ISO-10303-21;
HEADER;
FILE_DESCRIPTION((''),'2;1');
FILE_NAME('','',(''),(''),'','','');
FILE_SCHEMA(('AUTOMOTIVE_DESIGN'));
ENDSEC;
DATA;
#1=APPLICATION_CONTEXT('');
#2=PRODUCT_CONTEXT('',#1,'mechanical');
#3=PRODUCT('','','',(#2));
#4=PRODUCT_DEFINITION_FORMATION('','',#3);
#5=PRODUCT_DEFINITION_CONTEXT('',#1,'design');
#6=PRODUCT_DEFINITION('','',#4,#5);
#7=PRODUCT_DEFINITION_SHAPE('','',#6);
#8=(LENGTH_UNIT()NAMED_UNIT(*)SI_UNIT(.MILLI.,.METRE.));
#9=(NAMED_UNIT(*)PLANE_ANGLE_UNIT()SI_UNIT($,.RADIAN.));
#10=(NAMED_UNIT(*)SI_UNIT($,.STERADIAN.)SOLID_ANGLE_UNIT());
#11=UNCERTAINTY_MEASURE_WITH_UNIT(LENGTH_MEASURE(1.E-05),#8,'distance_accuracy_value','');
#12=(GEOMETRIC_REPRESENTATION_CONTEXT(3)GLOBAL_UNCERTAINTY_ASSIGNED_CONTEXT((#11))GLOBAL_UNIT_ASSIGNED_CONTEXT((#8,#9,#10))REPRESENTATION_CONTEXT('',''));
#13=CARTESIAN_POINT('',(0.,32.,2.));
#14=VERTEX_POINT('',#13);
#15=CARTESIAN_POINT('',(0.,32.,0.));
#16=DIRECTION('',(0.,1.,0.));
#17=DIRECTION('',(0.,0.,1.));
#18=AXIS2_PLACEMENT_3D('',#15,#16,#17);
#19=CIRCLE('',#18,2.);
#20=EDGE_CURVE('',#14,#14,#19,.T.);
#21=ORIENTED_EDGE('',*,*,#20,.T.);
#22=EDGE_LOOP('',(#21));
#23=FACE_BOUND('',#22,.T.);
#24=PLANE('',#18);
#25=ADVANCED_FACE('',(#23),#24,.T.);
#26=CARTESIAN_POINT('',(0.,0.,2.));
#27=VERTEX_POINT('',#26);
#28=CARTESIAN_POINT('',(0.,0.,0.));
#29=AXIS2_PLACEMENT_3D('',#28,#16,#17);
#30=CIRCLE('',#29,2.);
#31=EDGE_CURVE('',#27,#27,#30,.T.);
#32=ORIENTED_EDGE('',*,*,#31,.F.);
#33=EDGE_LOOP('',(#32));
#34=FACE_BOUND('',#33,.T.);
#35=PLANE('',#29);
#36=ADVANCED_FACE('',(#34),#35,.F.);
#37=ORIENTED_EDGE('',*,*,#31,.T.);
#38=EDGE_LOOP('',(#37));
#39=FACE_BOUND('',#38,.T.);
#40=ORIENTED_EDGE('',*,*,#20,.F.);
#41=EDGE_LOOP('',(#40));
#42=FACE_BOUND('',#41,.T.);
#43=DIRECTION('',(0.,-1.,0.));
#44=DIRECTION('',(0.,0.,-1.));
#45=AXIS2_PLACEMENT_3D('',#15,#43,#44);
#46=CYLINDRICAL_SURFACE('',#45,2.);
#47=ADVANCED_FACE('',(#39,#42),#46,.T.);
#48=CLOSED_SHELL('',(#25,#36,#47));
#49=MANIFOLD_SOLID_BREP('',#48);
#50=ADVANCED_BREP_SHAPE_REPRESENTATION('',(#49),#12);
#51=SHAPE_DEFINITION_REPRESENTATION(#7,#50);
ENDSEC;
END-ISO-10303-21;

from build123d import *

# Parameters (mm, degrees)
SKETCH1_R           = 2
BOSS_EXTRUDE1_DEPTH = 32


with BuildPart() as part:
    # Sketch1 → Boss-Extrude1 (new body)
    with BuildSketch(Plane(origin=(0, 0, 0), x_dir=(1, 0, 0), z_dir=(0, 1, 0))):
        Circle(SKETCH1_R)
    extrude(amount=BOSS_EXTRUDE1_DEPTH)


solid = part.part
